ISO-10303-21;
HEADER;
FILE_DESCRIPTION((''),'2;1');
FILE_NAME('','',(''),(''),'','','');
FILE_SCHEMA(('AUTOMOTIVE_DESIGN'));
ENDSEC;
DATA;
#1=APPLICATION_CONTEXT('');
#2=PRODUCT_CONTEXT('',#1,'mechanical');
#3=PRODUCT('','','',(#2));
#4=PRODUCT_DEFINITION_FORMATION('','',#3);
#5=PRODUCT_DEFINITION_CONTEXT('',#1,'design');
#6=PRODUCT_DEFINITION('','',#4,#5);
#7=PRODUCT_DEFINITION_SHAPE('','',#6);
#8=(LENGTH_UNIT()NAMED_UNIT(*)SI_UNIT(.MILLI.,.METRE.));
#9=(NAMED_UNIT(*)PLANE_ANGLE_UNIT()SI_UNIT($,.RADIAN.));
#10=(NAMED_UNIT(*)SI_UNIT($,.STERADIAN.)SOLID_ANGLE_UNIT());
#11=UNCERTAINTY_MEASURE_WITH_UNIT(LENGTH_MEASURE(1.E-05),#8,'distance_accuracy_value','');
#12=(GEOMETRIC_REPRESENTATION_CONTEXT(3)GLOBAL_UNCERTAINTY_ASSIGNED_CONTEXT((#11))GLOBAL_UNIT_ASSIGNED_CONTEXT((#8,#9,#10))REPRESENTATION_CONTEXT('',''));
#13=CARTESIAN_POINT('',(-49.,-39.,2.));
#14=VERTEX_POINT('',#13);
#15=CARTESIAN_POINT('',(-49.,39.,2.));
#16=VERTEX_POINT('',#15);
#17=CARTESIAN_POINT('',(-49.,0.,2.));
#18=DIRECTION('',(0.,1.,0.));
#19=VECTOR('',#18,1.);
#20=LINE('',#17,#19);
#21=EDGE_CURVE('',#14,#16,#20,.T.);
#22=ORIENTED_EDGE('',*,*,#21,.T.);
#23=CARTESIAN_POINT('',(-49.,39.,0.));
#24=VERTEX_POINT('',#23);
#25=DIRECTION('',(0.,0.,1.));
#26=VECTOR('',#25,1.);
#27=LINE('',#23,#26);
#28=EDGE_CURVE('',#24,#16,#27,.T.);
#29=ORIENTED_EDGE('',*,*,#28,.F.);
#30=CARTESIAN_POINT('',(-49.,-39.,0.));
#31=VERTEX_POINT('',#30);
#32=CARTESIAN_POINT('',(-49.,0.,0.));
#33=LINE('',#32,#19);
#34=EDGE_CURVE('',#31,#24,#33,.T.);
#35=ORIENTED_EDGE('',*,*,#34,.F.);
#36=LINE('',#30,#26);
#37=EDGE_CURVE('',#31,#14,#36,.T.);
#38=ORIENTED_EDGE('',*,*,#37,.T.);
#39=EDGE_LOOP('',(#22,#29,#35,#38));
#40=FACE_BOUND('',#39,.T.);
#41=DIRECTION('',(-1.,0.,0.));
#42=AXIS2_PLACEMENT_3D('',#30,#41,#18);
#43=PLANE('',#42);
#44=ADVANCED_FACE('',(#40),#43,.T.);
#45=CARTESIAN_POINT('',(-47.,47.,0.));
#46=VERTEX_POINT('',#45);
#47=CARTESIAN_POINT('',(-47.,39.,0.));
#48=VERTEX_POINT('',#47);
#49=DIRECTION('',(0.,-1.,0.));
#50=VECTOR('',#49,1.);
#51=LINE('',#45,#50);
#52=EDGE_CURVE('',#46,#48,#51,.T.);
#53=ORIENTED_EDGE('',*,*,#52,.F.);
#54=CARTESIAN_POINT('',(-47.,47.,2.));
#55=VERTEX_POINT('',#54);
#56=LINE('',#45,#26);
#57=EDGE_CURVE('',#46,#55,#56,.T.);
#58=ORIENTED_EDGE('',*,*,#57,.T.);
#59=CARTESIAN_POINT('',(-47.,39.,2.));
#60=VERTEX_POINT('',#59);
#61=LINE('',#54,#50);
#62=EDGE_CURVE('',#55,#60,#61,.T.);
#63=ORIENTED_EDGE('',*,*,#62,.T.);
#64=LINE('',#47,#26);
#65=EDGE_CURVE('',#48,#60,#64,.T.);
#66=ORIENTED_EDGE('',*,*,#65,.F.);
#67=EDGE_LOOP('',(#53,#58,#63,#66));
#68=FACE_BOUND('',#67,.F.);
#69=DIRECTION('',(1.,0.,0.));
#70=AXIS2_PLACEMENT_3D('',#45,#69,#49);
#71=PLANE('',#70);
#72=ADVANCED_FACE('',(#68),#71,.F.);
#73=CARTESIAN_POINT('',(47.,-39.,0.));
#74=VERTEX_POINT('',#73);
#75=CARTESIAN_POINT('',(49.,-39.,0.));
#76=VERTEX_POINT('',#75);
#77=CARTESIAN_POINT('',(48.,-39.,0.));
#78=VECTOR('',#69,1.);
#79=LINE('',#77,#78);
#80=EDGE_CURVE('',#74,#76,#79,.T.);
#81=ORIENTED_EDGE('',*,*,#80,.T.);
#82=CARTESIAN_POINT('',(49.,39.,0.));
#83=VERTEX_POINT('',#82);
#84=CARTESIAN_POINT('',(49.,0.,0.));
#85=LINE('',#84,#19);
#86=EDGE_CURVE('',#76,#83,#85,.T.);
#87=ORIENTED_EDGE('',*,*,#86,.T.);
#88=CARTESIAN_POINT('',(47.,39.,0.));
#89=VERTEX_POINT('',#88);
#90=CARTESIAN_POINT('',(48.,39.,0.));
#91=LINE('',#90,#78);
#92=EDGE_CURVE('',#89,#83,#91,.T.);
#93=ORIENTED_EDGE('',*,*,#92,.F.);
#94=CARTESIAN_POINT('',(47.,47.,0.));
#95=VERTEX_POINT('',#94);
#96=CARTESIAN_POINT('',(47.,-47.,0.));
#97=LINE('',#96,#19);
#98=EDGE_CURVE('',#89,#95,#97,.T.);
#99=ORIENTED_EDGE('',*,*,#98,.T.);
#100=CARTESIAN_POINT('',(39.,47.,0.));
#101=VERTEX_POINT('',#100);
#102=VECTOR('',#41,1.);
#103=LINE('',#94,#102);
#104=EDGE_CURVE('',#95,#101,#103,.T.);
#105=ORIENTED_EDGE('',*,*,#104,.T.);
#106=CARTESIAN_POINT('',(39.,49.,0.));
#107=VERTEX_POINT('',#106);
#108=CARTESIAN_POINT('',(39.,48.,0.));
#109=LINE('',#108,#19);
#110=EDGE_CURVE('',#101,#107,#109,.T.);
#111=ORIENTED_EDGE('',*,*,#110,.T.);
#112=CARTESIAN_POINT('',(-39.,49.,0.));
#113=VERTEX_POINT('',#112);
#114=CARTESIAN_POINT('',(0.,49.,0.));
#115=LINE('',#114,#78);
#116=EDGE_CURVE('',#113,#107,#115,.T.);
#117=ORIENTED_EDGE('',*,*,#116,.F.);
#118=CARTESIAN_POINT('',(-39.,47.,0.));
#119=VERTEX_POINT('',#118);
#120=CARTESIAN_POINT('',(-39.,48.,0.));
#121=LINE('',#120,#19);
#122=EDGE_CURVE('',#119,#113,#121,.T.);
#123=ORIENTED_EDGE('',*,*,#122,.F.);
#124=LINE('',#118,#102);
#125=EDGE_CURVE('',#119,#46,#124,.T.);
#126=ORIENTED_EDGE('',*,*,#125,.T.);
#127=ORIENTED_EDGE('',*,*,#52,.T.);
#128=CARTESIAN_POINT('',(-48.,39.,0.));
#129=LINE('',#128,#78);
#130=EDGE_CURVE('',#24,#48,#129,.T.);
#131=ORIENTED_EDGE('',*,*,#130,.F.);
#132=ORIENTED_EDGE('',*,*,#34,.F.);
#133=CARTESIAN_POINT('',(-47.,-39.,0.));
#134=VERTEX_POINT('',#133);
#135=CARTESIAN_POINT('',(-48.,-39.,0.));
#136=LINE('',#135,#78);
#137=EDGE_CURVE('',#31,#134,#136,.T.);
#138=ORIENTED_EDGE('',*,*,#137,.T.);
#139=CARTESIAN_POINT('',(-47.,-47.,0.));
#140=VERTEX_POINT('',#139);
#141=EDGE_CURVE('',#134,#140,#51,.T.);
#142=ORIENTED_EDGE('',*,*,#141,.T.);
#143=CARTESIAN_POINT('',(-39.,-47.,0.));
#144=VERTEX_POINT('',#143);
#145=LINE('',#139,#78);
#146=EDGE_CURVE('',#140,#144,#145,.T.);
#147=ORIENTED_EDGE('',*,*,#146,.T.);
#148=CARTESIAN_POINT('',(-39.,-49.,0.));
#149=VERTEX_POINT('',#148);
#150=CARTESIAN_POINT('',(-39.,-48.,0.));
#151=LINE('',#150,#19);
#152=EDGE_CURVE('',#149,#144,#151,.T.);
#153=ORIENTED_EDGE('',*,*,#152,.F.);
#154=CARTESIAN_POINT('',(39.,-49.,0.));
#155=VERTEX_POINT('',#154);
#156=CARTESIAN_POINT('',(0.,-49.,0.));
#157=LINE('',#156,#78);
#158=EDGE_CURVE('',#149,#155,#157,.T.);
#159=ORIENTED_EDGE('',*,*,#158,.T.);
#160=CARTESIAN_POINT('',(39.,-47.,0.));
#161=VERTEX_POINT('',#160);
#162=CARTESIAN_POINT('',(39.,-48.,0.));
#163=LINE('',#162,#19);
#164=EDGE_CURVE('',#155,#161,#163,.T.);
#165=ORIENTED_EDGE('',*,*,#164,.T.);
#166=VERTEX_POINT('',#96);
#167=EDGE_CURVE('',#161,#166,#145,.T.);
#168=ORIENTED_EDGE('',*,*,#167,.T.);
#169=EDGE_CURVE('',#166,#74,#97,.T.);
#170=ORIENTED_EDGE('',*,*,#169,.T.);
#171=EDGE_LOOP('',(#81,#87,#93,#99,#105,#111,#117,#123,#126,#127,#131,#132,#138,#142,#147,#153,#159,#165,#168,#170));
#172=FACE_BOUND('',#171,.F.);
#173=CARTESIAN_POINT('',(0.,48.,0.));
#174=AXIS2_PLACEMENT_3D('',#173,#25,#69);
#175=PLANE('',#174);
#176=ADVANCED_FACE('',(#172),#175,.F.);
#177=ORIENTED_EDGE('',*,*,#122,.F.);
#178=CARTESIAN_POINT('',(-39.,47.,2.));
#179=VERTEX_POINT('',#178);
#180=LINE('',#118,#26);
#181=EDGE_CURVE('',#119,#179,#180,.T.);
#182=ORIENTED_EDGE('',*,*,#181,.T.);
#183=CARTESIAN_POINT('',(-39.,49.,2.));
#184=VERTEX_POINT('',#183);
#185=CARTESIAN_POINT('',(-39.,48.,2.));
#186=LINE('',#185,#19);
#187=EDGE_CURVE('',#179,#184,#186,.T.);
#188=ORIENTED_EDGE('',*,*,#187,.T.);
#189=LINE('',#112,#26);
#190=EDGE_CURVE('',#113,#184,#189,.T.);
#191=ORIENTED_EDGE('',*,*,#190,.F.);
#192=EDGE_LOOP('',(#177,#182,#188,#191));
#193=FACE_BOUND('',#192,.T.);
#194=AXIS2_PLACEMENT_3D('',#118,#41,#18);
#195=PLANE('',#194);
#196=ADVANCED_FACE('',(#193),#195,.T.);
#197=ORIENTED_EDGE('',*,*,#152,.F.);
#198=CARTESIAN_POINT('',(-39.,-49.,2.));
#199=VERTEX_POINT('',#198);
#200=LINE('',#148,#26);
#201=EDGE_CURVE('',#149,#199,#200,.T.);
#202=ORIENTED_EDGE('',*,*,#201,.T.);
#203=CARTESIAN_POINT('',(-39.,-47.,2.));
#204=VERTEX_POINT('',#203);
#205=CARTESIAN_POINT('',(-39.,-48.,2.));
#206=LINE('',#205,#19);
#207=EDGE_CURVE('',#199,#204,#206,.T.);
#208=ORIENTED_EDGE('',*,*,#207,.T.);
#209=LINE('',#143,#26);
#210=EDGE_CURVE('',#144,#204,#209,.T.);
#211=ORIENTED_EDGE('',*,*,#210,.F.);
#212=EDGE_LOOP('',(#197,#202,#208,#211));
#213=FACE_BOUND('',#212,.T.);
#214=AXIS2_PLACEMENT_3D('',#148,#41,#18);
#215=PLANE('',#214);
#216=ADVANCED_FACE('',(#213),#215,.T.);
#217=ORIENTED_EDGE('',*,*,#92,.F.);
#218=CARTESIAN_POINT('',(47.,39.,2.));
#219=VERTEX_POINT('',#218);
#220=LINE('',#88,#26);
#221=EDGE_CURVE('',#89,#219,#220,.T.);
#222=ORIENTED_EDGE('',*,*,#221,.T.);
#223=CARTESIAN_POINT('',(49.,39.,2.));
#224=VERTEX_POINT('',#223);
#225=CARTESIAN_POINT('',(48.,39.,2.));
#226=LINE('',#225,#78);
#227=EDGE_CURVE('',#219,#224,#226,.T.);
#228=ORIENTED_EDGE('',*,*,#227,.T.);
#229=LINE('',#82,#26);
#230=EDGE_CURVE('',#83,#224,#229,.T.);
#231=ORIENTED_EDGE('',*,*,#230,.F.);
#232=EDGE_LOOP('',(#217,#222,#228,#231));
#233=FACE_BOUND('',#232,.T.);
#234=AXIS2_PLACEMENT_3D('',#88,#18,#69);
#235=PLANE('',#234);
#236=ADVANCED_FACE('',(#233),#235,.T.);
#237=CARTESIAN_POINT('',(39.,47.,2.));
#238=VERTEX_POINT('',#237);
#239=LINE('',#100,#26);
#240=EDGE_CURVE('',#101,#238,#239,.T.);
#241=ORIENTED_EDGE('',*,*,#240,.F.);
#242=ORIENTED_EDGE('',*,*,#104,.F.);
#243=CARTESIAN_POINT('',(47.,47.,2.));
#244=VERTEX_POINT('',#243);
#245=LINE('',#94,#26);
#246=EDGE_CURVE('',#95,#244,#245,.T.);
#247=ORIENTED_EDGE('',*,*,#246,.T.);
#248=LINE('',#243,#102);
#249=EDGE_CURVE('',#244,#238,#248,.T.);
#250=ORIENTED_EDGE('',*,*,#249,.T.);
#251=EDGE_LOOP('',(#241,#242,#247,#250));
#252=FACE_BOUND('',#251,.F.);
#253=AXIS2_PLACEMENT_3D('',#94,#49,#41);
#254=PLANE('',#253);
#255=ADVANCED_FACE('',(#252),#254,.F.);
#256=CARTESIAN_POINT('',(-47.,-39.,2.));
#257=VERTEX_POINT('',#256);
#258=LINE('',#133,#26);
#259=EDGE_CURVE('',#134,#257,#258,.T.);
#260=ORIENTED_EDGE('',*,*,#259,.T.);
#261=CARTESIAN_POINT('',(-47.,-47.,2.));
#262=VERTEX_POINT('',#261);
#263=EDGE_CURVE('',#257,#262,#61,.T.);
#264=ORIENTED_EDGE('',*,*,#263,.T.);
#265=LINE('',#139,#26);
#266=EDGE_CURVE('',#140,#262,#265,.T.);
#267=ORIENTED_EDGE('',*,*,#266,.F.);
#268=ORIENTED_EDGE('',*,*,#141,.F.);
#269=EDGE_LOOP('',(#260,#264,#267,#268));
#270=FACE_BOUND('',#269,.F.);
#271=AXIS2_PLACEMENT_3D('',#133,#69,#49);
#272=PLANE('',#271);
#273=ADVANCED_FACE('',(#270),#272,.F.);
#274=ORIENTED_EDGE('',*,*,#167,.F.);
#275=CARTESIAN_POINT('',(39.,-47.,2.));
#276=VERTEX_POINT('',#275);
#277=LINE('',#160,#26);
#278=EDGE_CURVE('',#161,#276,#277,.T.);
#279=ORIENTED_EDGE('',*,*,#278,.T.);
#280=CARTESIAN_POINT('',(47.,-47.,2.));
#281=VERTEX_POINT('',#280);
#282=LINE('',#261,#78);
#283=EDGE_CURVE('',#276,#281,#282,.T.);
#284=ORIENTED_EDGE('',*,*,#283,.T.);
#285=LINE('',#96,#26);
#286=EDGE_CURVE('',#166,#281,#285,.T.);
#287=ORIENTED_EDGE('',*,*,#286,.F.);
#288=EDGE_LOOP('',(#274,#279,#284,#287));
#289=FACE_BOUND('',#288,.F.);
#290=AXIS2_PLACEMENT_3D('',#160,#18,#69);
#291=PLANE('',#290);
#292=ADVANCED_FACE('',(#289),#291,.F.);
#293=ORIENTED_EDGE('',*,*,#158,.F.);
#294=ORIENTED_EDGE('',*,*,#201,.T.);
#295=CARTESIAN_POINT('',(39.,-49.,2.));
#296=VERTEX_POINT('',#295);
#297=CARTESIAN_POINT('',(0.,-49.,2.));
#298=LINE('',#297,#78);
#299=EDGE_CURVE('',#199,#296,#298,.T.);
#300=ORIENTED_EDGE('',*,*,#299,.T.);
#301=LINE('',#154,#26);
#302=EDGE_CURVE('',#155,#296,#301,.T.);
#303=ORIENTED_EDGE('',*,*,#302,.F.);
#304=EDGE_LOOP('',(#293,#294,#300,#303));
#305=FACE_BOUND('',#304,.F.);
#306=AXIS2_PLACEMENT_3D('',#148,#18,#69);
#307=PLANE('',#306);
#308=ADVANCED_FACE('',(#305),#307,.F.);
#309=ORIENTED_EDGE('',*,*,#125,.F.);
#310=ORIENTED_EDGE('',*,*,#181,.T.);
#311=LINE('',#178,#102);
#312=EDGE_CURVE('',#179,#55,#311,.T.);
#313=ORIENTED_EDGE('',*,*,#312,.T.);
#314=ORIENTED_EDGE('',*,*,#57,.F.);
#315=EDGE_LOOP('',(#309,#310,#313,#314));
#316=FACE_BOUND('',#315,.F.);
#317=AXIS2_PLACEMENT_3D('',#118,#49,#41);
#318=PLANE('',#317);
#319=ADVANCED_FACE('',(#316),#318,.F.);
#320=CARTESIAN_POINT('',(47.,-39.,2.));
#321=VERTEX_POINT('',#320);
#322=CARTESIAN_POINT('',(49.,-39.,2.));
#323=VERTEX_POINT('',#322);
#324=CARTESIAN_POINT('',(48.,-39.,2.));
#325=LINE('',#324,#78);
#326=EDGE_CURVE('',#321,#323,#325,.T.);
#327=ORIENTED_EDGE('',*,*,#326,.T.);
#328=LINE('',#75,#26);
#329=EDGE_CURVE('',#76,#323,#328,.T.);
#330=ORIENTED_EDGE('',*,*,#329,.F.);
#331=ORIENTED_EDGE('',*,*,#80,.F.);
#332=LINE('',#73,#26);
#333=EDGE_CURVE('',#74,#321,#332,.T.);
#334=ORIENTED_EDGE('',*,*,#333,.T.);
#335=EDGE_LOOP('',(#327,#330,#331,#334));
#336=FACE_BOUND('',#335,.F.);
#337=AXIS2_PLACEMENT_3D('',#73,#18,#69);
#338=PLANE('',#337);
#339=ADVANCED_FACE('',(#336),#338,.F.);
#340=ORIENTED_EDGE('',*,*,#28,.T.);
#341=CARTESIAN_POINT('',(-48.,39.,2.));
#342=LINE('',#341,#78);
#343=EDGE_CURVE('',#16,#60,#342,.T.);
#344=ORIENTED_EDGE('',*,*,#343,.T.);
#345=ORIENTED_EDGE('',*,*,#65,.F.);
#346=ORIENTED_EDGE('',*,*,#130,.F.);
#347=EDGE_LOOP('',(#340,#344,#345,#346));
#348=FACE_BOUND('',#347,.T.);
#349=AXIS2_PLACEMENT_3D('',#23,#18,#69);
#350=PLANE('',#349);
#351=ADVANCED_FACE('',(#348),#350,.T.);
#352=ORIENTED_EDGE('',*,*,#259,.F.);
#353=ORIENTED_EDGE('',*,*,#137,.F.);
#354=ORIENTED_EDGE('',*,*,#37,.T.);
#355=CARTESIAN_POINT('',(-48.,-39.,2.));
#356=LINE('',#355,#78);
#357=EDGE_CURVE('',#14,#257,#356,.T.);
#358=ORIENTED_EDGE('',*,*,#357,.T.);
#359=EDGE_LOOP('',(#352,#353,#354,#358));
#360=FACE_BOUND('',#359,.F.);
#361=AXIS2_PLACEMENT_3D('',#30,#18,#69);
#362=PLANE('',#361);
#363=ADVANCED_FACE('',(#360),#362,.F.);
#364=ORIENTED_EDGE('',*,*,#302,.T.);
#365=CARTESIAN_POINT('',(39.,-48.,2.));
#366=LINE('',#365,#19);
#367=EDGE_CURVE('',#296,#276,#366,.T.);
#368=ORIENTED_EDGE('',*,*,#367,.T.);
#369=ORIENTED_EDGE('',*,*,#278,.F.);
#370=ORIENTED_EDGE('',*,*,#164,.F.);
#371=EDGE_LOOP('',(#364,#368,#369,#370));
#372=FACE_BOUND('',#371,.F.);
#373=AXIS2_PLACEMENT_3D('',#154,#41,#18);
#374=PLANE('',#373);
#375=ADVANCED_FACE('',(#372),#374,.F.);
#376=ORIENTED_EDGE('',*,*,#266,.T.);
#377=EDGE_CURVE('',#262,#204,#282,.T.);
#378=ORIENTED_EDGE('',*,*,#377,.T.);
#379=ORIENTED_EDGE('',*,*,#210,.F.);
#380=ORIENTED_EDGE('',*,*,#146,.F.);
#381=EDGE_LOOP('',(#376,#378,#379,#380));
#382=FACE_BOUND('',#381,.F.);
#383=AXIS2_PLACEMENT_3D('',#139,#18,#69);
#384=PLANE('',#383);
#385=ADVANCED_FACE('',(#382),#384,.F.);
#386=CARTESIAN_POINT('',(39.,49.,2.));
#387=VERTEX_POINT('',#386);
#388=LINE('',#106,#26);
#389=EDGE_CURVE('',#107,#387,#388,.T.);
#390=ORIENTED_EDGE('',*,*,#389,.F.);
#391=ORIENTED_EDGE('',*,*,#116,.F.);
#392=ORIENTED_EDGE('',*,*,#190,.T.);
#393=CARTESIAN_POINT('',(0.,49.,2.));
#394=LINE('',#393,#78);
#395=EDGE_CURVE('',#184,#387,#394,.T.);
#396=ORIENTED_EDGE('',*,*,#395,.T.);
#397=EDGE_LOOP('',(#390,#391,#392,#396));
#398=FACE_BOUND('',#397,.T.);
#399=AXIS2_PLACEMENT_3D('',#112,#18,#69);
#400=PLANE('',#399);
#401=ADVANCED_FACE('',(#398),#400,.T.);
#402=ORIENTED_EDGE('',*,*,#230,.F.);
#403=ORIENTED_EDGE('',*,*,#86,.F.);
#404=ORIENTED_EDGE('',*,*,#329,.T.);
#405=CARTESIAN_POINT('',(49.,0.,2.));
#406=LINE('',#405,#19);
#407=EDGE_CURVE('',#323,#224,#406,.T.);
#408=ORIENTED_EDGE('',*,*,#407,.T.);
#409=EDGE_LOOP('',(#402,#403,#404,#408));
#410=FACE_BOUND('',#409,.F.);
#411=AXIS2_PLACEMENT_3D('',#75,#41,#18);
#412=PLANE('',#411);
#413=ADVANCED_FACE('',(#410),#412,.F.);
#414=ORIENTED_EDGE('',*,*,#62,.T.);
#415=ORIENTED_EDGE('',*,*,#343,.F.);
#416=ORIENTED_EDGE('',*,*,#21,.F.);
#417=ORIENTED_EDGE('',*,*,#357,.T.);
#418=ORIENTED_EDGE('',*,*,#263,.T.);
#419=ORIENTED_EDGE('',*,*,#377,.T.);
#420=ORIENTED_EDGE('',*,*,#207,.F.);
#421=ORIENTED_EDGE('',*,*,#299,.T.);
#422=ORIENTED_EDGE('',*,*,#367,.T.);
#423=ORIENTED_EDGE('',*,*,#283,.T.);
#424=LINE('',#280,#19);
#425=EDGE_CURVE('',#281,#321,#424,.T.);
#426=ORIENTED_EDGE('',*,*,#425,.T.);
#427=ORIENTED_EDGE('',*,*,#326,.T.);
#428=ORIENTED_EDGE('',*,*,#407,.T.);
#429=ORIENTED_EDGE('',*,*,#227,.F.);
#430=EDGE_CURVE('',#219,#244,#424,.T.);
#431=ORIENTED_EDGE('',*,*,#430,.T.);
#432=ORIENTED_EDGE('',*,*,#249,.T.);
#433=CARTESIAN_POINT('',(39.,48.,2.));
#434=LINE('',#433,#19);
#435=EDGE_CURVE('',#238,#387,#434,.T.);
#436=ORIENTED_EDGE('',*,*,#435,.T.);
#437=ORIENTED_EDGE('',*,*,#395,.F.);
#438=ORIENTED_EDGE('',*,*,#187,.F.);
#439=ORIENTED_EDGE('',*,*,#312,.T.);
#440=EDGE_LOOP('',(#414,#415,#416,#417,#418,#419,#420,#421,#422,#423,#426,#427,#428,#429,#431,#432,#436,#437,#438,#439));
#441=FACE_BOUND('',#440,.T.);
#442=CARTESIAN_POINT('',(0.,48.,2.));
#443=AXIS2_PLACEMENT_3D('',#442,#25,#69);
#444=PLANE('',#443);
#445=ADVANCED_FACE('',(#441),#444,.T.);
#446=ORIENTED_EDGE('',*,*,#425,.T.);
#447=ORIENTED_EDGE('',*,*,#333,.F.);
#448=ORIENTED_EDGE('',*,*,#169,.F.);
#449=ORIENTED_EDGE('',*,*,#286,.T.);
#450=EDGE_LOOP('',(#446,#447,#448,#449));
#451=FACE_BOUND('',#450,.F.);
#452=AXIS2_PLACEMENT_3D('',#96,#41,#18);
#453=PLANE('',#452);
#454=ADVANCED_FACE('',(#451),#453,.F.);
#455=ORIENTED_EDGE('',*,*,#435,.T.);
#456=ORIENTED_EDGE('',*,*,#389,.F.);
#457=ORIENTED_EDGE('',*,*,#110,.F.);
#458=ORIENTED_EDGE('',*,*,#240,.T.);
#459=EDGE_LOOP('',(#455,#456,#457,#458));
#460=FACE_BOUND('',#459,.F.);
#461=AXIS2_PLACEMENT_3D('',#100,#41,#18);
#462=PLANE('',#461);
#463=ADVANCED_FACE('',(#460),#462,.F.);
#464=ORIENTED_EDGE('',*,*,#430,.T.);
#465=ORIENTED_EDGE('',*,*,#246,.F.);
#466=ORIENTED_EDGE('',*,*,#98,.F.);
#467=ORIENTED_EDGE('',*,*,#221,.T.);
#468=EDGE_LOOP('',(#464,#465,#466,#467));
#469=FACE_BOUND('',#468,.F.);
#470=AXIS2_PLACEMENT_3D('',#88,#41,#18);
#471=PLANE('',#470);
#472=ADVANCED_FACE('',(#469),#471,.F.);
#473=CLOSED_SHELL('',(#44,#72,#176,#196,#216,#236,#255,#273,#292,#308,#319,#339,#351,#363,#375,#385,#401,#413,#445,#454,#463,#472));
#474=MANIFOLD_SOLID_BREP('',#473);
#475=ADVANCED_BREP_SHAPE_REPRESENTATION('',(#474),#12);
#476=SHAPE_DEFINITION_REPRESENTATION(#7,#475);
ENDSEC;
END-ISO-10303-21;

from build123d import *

# Parameters (mm, degrees)
F0_W     = 78
F0_H     = 2
F0_W_2   = 2
F0_H_2   = 78
F1_DEPTH = 2


with BuildPart() as f1:
    # F0 (on Top) → F1 (new body)
    with BuildSketch(Plane.XY):
        with Locations((0, 48)):
            Rectangle(F0_W, F0_H)
        Polygon((47, 47), (39, 47), (-39, 47), (-47, 47), (-47, 39), (-47, -39), (-47, -47), (-39, -47), (39, -47), (47, -47), (47, -39), (47, 39), align=None)
        with Locations((48, 0)):
            Rectangle(F0_W_2, F0_H_2)
        with Locations((-48, 0)):
            Rectangle(F0_W_2, F0_H_2)
        with Locations((0, -48)):
            Rectangle(F0_W, F0_H)
    extrude(amount=F1_DEPTH)


solid = f1.part
